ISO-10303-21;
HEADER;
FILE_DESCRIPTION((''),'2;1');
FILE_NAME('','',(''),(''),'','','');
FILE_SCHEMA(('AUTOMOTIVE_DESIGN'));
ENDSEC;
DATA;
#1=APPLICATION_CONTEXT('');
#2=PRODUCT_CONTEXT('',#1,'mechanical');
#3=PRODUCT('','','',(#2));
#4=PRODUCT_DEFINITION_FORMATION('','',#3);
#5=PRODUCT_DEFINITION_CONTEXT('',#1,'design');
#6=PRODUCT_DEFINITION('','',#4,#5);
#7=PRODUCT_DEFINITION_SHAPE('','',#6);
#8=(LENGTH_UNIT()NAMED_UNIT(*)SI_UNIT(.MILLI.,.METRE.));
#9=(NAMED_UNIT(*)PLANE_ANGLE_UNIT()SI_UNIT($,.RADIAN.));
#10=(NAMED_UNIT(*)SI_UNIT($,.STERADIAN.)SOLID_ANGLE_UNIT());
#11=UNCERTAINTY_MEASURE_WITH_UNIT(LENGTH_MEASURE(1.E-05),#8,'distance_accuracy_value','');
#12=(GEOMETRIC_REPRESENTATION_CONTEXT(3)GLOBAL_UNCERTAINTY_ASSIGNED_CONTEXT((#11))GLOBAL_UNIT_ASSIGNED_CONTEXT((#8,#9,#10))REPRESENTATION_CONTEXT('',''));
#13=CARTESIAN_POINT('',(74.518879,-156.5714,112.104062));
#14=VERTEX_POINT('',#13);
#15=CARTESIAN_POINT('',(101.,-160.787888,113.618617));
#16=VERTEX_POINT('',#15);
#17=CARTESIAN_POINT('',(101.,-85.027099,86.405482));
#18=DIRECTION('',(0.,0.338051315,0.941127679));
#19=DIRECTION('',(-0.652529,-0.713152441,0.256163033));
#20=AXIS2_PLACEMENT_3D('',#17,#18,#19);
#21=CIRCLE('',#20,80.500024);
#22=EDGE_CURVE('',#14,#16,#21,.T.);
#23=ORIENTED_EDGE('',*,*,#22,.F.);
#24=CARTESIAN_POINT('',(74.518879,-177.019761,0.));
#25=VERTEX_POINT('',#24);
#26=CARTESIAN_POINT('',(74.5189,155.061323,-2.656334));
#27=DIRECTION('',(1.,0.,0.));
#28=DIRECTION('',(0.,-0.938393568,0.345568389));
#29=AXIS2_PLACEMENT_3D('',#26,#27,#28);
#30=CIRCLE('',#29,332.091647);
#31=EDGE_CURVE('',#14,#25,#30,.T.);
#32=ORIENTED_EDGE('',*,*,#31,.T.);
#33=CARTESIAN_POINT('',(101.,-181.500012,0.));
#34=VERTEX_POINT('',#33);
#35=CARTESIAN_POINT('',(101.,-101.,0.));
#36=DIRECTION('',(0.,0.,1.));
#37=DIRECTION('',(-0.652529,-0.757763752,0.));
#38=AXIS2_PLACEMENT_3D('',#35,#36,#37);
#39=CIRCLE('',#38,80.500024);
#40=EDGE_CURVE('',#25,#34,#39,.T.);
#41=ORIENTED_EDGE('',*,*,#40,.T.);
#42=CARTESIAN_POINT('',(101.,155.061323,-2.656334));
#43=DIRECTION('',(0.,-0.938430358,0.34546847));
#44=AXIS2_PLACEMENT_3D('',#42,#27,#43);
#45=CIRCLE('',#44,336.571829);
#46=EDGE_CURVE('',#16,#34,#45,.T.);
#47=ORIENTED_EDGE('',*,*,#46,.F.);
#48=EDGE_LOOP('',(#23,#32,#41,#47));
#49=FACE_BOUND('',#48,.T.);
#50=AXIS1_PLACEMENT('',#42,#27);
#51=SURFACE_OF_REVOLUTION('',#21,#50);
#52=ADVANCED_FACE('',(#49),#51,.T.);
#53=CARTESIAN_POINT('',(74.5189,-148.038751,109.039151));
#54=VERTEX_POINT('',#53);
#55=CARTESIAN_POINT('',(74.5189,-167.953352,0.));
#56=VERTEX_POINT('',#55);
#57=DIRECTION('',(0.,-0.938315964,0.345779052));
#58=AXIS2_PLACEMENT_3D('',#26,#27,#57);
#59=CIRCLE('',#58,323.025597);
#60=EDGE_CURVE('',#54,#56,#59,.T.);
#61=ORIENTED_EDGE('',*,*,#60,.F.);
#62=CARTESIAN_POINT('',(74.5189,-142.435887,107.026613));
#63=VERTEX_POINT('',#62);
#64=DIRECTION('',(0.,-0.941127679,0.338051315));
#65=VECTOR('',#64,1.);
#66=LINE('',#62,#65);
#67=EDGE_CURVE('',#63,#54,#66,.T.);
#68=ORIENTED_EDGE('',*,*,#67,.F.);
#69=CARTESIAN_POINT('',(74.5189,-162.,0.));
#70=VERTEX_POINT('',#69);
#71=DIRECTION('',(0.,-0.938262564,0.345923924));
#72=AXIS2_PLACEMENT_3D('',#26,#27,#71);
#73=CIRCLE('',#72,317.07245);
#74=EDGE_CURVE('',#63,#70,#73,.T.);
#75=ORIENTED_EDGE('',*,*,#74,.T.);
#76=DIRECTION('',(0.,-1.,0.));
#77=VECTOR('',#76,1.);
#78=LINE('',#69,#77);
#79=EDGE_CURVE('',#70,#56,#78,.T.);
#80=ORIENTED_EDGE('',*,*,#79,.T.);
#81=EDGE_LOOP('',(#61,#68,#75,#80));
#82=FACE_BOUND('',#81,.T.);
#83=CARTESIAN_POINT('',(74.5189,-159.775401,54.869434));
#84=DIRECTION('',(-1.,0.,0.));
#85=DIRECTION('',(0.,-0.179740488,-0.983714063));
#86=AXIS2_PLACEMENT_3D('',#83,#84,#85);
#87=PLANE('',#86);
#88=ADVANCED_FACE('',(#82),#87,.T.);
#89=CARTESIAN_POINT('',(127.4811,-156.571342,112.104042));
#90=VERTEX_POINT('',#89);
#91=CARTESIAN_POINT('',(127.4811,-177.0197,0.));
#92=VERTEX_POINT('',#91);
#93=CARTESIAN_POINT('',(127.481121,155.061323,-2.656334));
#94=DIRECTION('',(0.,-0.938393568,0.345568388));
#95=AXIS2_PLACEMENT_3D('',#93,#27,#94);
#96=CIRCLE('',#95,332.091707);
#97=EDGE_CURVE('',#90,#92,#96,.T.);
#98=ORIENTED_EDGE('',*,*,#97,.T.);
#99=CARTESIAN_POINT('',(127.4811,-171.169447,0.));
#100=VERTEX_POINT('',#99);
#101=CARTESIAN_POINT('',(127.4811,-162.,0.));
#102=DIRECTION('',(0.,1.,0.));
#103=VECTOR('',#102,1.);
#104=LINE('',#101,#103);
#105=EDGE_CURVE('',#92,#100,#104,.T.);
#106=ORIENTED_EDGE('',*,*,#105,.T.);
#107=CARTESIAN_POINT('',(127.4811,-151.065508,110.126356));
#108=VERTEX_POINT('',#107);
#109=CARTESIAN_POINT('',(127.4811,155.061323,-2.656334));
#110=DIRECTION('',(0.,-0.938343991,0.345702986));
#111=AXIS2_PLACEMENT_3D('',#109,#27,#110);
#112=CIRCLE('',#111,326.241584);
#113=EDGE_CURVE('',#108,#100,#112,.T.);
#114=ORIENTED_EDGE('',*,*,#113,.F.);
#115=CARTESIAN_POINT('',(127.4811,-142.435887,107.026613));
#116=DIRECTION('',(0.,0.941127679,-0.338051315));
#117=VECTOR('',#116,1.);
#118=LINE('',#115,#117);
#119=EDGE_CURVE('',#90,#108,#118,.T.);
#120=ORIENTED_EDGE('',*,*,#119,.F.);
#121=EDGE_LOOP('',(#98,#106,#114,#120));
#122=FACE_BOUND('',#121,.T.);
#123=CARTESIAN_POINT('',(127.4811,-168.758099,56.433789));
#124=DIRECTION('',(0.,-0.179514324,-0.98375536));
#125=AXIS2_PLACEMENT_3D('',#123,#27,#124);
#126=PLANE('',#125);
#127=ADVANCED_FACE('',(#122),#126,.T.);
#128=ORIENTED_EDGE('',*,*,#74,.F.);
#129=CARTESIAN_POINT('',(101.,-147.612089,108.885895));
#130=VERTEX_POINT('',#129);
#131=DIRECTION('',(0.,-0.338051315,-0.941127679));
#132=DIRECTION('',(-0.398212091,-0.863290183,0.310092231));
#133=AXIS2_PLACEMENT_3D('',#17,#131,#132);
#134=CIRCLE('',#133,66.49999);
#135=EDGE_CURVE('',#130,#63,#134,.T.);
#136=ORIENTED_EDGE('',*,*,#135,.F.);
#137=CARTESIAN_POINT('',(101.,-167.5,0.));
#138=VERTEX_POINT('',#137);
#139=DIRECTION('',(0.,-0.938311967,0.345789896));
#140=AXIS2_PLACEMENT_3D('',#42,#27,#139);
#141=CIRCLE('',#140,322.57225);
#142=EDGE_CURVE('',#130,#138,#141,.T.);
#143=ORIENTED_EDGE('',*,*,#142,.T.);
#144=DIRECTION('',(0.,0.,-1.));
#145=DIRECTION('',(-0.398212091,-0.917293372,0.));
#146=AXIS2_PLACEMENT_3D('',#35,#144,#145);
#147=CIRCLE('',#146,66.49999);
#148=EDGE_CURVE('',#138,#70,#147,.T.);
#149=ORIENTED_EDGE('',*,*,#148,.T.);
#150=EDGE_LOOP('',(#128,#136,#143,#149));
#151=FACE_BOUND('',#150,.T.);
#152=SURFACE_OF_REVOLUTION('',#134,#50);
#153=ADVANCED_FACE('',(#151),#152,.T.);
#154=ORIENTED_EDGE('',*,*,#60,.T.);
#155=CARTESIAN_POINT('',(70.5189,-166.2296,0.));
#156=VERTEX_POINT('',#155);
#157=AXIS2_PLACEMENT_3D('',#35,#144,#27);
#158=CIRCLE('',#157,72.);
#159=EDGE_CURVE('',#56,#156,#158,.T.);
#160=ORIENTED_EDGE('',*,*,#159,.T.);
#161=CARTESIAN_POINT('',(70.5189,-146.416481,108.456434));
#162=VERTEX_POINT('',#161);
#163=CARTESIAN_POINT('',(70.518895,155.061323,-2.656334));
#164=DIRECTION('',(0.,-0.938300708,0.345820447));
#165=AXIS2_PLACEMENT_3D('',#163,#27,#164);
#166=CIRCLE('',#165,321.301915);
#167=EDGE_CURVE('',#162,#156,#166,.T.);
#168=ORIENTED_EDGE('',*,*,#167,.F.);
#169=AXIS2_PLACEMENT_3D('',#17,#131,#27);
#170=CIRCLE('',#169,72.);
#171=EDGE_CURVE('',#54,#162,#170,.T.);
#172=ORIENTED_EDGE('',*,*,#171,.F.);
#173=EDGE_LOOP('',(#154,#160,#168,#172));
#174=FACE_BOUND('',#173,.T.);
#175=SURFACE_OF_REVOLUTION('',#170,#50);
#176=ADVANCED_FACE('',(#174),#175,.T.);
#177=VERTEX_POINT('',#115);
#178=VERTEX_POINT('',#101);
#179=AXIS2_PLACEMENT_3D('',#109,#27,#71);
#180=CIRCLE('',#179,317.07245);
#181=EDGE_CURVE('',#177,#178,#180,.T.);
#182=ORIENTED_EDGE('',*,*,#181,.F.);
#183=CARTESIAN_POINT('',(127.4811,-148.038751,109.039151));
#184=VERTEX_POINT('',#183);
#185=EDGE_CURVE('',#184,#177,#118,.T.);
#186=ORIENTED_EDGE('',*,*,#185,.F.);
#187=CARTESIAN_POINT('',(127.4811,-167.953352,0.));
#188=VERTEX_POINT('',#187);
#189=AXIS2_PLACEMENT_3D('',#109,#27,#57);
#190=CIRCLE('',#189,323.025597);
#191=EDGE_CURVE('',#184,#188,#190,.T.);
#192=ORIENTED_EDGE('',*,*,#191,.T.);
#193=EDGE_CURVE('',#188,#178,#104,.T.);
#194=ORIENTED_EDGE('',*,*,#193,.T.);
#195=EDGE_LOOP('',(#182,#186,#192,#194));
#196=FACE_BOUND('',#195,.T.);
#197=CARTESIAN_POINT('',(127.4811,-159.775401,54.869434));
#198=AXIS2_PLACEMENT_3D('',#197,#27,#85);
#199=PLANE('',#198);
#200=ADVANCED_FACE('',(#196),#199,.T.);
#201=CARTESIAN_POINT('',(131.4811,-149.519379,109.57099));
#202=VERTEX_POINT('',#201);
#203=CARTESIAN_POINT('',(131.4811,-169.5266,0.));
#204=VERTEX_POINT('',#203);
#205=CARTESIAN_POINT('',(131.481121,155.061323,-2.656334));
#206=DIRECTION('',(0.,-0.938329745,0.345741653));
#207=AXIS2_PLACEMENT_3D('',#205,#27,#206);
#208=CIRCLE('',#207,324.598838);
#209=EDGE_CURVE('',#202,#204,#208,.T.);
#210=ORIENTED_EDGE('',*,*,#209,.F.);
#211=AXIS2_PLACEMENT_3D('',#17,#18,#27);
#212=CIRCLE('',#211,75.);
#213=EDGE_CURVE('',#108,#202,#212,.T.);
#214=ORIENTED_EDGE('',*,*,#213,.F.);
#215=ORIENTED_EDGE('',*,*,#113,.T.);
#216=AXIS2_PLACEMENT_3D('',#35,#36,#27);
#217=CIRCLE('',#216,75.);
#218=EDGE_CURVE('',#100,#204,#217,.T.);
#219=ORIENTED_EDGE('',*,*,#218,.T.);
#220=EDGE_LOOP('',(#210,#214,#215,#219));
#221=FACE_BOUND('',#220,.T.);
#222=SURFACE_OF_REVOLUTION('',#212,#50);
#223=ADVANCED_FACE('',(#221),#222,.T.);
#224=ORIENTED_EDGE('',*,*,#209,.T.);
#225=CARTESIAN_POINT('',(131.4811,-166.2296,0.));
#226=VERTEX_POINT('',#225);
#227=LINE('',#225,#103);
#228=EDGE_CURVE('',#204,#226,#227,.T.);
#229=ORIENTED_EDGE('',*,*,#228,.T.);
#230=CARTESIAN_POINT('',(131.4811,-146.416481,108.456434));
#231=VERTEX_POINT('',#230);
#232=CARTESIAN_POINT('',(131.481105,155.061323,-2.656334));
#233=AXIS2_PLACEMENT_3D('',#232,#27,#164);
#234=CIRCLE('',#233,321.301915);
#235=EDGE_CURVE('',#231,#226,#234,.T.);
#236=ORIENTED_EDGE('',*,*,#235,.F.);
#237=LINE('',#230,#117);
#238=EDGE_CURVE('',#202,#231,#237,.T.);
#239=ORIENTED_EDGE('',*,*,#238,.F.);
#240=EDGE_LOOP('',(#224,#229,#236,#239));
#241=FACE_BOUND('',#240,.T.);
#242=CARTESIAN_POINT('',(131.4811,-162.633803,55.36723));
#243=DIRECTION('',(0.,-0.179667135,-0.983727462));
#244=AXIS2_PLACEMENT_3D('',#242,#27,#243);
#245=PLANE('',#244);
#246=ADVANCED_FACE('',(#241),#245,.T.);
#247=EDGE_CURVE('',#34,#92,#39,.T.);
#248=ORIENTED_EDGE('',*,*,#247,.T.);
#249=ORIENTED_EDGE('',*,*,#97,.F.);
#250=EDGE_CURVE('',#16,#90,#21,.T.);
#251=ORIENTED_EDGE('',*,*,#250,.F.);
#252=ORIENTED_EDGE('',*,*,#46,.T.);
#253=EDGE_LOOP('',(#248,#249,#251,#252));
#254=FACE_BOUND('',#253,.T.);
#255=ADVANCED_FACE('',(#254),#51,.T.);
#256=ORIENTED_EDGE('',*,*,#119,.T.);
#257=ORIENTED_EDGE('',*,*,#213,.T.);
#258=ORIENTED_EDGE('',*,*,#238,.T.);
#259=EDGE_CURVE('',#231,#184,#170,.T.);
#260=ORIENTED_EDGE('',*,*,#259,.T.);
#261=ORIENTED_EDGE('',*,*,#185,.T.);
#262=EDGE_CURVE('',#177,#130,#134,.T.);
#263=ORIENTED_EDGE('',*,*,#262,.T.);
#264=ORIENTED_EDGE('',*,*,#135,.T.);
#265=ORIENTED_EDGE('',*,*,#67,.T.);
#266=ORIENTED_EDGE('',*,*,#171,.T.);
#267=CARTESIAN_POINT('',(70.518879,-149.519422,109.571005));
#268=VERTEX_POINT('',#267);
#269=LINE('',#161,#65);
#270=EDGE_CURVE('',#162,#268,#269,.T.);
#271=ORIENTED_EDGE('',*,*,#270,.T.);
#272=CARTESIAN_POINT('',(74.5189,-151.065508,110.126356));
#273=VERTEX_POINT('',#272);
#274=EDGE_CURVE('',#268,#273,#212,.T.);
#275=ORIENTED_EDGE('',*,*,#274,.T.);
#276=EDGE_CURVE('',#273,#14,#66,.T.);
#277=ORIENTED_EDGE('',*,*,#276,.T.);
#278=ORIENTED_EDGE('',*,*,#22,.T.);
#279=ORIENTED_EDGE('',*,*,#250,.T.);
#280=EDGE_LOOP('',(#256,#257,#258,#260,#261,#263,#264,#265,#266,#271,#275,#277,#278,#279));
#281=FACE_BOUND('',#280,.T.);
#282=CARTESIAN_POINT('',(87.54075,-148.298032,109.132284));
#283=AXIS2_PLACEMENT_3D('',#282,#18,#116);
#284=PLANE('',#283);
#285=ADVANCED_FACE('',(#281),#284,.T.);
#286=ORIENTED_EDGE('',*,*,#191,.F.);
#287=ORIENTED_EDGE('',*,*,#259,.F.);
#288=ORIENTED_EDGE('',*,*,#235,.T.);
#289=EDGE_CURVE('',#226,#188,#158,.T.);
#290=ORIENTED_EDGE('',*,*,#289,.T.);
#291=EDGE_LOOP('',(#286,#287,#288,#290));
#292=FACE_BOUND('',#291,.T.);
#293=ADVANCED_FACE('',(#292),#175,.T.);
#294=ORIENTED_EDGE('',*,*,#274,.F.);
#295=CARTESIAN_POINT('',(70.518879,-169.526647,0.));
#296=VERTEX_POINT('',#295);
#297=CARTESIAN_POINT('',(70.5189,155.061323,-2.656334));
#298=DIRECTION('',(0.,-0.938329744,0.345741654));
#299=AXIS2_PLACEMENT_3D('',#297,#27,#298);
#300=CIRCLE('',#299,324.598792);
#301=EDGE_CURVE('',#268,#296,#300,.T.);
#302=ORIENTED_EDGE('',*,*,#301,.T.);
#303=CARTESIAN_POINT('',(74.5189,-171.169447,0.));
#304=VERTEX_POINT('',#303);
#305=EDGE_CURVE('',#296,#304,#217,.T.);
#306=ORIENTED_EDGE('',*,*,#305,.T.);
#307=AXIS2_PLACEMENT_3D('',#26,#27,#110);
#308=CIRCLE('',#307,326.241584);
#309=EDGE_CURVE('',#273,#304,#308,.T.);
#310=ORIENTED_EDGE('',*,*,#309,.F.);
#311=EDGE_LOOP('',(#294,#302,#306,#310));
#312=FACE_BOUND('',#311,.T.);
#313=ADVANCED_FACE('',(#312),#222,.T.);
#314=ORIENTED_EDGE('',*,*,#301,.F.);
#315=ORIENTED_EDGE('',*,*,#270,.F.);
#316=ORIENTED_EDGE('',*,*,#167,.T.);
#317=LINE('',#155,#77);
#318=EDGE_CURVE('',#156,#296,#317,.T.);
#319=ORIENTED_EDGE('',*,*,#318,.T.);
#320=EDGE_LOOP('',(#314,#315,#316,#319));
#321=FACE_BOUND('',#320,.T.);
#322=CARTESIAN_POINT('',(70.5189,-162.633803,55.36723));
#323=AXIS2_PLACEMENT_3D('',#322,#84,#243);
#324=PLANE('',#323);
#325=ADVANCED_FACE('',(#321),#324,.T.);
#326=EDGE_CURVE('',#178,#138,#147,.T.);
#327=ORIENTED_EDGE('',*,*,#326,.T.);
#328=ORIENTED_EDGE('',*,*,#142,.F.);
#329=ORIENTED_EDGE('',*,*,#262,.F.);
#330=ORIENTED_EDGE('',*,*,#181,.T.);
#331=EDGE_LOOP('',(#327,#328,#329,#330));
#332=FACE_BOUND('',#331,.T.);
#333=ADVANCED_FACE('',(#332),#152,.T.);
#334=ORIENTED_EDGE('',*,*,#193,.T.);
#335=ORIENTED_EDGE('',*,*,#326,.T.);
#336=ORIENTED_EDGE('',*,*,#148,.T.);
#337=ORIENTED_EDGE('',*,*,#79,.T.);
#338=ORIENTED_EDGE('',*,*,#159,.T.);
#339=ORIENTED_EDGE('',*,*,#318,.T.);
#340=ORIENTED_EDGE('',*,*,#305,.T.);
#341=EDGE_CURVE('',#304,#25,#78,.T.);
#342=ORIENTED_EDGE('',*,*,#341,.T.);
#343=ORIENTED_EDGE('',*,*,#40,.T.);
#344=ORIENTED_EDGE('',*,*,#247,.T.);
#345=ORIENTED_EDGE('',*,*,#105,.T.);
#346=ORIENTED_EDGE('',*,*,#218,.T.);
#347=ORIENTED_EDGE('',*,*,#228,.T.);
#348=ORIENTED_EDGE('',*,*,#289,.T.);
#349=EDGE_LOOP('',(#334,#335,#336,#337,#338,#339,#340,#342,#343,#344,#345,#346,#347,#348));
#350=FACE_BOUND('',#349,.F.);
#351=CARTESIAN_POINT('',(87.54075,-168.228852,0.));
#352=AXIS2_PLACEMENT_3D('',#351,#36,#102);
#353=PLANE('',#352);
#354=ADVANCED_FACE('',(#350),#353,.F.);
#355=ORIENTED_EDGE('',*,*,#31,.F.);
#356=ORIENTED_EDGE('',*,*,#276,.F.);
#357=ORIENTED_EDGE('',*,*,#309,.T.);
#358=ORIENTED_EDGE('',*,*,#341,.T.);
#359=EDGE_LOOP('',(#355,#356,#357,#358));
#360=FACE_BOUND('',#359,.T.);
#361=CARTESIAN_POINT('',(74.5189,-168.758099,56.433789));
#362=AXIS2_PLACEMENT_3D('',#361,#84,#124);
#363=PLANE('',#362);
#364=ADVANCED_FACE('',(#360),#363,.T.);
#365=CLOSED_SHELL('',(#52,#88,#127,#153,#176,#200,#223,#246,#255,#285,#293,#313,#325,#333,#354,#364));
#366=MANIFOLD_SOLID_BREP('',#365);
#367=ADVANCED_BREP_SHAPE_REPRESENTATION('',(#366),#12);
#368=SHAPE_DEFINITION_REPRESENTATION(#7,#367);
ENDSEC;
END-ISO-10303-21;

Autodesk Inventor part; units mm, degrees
ref_plane "XZ Plane" through (0, 0, 0) normal (0, 1, 0) x (-1, 0, 0)
sketch "Эскиз1" plane through (0, 0, 0) normal (0, 0, 1) x (1, 0, 0)
  arc A0 (74.5189, -162) -> (127.4811, -162) centre (101, -101) ccw
  arc A1 (48.4714, -162) -> (153.5286, -162) centre (101, -101) ccw
  line L0 (-97.5257, 0) -> (307.6841, 0) projected
  line L1 (-39.6386, -162) -> (244.9538, -162)
  line L2 (101, -167.5) -> (101, -181.5)
  arc A2 (142.003, -162) -> (59.997, -162) centre (101, -101) ccw
  circle A3 centre (101, -101) radius 72
  circle A4 centre (101, -101) radius 75
  line L3 (170.7391, -120.21) -> (170.39, -120.21)
  line L4 (170.39, -120.21) -> (173.4981, -120.21)
  line L5 (31.61, -120.21) -> (28.5019, -120.21)
  line L6 (74.5189, -162) -> (74.5189, -177.0197)
  line L7 (127.4811, -162) -> (127.4811, -177.0197)
  line L8 (70.5189, -166.2296) -> (70.5189, -169.5266)
  line L9 (131.4811, -166.2296) -> (131.4811, -169.5266)
  point P0 (0, 0)
  point P1 (167.5699, -124.21)
  point P2 (163.3181, -124.21)
  point P3 (38.6819, -124.21)
  point P4 (34.4301, -124.21)
  point P5 (101, -174.5)
  point P6 (57.3652, -162)
  point P7 (144.6348, -162)
  point P8 (62.7508, -162)
  point P9 (170.7391, -120.21)
  point P10 (74.5189, -167.9533)
  point P11 (74.5189, -171.1694)
  point P12 (127.4811, -171.1694)
  point P13 (127.4811, -167.9533)
  dimension "d0" = 133
  dimension "d1" = 161
  dimension "d3" = -101
  dimension "d4" = 61
  dimension "d30" = 1.5
  dimension "d31" = 1.5
  dimension "d33" = 73.5
  dimension "d34" = 4
ref_plane "РабПлоскость1" through (0, 0, 60) normal (0, 0, 1) x (1, 0, 0)
sketch "Эскиз2" plane through (0, 0, 60) normal (0, 0, 1) x (1, 0, 0)
  circle A0 centre (101, -101) radius 70.5
  line L0 (-96.1046, 0) -> (307.4472, 0) projected
  arc A1 (34.4301, -164.21) -> (167.5699, -164.21) centre (101, -141) ccw
  arc A2 (38.6819, -164.21) -> (163.3181, -164.21) centre (101, -141) ccw
  line L1 (-38.4543, -164.21) -> (249.797, -164.21)
  point P0 (0, 0)
  dimension "d9" = 141
  dimension "d10" = 141
  dimension "d11" = 133
  dimension "d12" = 23.21
sketch "Эскиз3" plane through (0, 0, 0) normal (1, 0, 0) x (0, 1, 0)
  arc A0 (-211.5, 60) -> (-171.5, 0) centre (-52.4181, 122.7213) ccw
  point P0 (0, 0)
  point P1 (-164.21, 60)
  point P2 (-162, 0)
  dimension "d13" = 171
sketch "Эскиз4" plane through (0, 0, 0) normal (1, 0, 0) x (0, 1, 0)
  line L0 (0, -518.9739) -> (0, 512.8159) projected
  arc A0 (-151.3766, 110.2381) -> (-171.5, 0) centre (155.0612, -2.6563) ccw
  arc A1 (-171.3994, 5.874) -> (-171.5, 0) centre (0, 0) ccw
  point P0 (-131.3766, -110.2381)
  dimension "d25" = 326.572
sweep "Сдвиг2" add profiles "Эскиз1" path "Эскиз4" path curves A0 contours A0 L2 A3 L6 | A0 L7 A3 L2 | L6 A4 L8 A3 | A3 L2 A4 L6 | A3 L7 A4 L2 | A3 L9 A4 L7 | A4 L2 A1 L6 | A4 L7 A1 L2
ref_plane "РабПлоскость2" through (101, 0, 0) normal (1, 0, 0) x (0, 1, 0)
sketch "Эскиз5" plane through (101, 0, 0) normal (1, 0, 0) x (0, 1, 0)
  line L0 (-177.0197, 0) -> (-177.0197, 0) projected
  line L1 (-156.5714, 112.104) -> (-156.5714, 112.104) projected
  line L2 (-177.0197, 0) -> (-177.0197, 0) projected
  line L3 (-156.5714, 112.104) -> (-156.5714, 112.104) projected
  arc A0 (-162, 0) -> (-142.4359, 107.0266) centre (155.0612, -2.6563) ccw projected
  line L4 (-162, 0) -> (-181.5, 0) projected
  circle A1 centre (155.0612, -2.6563) radius 336.5717
  arc A2 (-156.5714, 112.104) -> (-177.0197, 0) centre (155.0612, -2.6563) ccw projected
  arc A3 (-156.5714, 112.104) -> (-177.0197, 0) centre (155.0612, -2.6563) ccw projected
  arc A4 (-156.5714, 112.104) -> (-177.0197, 0) centre (155.0612, -2.6563) ccw projected
  arc A5 (-156.5714, 112.104) -> (-177.0197, 0) centre (155.0612, -2.6563) ccw projected
  point P0 (0, 0)
  point P1 (-162, 0)
  point P2 (-142.4359, 107.0266)
  point P3 (-162, 0)
  point P4 (-142.4359, 107.0266)
  dimension "d28" = 673.1434
properties part number "направление мяча 2"
